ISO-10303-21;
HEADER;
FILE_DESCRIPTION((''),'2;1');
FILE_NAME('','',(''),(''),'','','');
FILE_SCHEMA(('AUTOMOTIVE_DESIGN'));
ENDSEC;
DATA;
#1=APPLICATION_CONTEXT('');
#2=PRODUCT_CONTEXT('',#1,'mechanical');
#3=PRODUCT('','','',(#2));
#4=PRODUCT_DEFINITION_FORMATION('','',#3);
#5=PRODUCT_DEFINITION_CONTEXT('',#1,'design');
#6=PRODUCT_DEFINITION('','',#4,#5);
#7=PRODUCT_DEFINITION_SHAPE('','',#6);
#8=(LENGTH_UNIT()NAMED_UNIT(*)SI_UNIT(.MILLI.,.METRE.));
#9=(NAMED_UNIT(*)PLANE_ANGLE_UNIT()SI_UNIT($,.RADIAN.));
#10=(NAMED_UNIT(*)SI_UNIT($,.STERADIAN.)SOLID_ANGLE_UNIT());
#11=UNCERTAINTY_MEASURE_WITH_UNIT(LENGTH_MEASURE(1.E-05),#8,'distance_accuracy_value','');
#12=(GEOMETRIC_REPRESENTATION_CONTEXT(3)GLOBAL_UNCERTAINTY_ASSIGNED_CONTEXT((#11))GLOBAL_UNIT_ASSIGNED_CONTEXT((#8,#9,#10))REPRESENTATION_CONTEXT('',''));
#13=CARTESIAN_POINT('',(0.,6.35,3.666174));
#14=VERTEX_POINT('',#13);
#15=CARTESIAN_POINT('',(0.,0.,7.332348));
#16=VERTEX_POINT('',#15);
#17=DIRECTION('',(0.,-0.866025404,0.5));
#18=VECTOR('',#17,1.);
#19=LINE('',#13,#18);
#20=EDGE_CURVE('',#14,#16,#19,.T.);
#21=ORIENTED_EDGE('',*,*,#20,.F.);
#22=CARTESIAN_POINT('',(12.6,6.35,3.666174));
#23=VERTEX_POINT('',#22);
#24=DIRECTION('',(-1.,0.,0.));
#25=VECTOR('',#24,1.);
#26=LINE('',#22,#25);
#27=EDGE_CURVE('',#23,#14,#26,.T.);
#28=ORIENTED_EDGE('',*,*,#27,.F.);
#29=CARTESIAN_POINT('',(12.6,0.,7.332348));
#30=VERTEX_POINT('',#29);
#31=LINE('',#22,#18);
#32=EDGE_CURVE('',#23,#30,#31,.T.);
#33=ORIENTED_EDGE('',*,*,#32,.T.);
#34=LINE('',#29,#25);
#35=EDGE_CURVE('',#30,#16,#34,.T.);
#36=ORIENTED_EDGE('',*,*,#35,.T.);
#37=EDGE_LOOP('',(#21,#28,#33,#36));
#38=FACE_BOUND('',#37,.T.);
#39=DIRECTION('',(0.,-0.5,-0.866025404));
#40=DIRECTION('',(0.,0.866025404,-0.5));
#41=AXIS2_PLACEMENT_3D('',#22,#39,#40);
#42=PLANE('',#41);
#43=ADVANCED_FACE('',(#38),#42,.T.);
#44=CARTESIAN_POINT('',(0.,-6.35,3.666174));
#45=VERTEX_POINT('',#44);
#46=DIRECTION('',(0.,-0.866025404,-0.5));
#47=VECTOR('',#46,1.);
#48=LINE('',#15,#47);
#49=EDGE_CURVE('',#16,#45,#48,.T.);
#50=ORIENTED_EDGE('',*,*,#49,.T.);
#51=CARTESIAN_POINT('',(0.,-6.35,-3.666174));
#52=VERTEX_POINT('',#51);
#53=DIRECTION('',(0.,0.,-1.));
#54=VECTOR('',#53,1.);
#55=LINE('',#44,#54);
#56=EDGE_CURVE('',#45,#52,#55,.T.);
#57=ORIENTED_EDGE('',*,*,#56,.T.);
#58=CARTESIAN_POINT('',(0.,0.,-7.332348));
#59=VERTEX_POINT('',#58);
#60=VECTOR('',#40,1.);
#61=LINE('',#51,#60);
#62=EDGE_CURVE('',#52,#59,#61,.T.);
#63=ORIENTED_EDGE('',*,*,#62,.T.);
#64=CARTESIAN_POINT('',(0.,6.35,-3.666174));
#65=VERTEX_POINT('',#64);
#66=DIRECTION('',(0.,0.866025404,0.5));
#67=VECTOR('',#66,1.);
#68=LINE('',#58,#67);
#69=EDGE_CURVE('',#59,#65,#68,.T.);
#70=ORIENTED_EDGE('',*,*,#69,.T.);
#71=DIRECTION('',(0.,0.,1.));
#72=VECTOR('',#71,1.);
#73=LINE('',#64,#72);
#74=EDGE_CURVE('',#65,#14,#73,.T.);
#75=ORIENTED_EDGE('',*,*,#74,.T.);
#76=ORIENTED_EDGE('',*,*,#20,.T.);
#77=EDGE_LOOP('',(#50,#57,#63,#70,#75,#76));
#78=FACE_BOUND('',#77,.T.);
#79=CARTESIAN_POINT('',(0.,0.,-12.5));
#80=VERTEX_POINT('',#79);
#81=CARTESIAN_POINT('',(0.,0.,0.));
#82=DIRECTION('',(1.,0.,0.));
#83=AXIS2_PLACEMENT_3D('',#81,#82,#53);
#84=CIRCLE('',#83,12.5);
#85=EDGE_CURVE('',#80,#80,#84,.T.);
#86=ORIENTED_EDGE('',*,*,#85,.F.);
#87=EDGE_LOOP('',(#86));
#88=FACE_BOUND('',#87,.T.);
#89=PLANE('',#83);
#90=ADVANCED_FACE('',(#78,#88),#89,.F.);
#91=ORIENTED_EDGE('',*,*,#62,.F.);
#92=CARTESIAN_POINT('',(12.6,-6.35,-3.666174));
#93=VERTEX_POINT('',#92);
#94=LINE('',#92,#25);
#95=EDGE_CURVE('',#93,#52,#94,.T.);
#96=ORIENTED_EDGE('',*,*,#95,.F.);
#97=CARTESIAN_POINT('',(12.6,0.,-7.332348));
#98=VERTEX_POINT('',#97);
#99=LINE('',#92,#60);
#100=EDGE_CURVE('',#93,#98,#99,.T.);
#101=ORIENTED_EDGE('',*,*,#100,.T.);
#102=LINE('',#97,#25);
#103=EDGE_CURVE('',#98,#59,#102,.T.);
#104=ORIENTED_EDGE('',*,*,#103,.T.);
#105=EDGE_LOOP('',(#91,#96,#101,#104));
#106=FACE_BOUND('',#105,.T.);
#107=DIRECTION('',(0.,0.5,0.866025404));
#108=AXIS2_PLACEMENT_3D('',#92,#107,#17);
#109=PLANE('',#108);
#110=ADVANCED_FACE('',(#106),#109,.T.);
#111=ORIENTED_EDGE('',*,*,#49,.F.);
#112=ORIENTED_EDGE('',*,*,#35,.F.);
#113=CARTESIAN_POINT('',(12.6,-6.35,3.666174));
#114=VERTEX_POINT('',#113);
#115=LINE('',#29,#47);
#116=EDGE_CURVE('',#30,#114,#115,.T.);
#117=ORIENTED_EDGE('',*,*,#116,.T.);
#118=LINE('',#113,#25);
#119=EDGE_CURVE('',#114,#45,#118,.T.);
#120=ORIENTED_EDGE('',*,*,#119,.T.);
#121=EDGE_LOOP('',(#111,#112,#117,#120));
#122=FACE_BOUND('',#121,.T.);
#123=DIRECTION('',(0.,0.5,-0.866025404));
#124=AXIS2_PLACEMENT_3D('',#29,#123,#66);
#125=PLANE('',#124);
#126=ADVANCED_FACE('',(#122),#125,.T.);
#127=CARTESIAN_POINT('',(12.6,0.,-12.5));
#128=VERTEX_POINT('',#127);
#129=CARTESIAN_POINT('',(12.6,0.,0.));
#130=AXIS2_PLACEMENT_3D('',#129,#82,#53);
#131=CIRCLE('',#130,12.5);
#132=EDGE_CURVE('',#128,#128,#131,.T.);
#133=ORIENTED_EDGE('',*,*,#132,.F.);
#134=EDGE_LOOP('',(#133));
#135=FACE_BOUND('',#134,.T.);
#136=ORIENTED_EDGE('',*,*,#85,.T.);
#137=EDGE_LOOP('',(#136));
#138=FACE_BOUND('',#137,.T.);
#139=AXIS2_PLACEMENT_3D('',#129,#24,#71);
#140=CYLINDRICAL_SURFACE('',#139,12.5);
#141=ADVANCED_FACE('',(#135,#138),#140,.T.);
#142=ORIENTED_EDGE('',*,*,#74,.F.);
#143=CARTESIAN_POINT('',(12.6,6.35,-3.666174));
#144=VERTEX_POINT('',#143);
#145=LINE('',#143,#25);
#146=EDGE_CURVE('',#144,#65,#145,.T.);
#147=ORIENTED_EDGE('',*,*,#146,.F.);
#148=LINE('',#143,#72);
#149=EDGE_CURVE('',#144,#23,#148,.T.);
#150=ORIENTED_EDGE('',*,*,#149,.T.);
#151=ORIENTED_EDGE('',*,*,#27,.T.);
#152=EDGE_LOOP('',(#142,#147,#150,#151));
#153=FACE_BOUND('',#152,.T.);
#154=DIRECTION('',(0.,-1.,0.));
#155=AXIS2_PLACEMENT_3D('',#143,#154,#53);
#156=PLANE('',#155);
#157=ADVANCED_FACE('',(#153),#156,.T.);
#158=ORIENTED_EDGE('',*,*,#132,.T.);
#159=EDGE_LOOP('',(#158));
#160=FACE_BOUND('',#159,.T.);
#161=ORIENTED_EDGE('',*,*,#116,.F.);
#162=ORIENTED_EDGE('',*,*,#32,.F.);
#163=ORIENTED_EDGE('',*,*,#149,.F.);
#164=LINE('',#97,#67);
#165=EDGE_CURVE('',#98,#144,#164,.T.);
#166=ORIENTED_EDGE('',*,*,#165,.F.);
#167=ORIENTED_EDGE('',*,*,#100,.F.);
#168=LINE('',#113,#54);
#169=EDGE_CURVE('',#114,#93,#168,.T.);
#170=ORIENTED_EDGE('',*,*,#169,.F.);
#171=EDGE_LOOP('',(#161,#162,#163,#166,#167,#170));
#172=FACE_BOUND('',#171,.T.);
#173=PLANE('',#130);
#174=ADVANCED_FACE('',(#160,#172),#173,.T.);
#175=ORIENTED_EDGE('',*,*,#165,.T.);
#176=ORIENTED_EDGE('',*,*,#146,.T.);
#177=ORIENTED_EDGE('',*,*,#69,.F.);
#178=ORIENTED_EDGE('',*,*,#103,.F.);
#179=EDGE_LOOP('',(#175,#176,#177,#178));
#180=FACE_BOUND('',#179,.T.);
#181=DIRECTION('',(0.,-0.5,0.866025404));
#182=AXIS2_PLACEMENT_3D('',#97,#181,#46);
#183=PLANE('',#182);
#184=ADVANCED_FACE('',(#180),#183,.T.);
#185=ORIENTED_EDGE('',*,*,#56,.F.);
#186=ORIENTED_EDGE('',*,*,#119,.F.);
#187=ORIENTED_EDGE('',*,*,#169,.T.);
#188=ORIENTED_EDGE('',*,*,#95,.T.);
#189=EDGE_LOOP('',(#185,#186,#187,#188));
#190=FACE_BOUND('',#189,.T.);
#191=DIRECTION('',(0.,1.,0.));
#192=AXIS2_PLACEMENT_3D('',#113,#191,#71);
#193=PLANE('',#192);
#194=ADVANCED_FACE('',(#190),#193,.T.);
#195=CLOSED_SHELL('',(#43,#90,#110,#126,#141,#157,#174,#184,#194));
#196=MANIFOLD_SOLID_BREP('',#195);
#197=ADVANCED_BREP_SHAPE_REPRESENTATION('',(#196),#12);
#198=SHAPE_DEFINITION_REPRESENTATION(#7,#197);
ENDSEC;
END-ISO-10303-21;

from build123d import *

# Parameters (mm, degrees)
CROQUIS1_R              = 12.5
SALIENTE_EXTRUIR1_DEPTH = 12.6


with BuildPart() as part:
    # Croquis1 → Saliente-Extruir1 (new body)
    with BuildSketch(Plane(origin=(0, 0, 0), x_dir=(0, 0, -1), z_dir=(1, 0, 0))):
        Circle(CROQUIS1_R)
        Polygon((7.332348419, 0), (3.666174209, 6.35), (-3.666174209, 6.35), (-7.332348419, 0), (-3.666174209, -6.35), (3.666174209, -6.35), align=None, mode=Mode.SUBTRACT)
    extrude(amount=SALIENTE_EXTRUIR1_DEPTH)


solid = part.part
